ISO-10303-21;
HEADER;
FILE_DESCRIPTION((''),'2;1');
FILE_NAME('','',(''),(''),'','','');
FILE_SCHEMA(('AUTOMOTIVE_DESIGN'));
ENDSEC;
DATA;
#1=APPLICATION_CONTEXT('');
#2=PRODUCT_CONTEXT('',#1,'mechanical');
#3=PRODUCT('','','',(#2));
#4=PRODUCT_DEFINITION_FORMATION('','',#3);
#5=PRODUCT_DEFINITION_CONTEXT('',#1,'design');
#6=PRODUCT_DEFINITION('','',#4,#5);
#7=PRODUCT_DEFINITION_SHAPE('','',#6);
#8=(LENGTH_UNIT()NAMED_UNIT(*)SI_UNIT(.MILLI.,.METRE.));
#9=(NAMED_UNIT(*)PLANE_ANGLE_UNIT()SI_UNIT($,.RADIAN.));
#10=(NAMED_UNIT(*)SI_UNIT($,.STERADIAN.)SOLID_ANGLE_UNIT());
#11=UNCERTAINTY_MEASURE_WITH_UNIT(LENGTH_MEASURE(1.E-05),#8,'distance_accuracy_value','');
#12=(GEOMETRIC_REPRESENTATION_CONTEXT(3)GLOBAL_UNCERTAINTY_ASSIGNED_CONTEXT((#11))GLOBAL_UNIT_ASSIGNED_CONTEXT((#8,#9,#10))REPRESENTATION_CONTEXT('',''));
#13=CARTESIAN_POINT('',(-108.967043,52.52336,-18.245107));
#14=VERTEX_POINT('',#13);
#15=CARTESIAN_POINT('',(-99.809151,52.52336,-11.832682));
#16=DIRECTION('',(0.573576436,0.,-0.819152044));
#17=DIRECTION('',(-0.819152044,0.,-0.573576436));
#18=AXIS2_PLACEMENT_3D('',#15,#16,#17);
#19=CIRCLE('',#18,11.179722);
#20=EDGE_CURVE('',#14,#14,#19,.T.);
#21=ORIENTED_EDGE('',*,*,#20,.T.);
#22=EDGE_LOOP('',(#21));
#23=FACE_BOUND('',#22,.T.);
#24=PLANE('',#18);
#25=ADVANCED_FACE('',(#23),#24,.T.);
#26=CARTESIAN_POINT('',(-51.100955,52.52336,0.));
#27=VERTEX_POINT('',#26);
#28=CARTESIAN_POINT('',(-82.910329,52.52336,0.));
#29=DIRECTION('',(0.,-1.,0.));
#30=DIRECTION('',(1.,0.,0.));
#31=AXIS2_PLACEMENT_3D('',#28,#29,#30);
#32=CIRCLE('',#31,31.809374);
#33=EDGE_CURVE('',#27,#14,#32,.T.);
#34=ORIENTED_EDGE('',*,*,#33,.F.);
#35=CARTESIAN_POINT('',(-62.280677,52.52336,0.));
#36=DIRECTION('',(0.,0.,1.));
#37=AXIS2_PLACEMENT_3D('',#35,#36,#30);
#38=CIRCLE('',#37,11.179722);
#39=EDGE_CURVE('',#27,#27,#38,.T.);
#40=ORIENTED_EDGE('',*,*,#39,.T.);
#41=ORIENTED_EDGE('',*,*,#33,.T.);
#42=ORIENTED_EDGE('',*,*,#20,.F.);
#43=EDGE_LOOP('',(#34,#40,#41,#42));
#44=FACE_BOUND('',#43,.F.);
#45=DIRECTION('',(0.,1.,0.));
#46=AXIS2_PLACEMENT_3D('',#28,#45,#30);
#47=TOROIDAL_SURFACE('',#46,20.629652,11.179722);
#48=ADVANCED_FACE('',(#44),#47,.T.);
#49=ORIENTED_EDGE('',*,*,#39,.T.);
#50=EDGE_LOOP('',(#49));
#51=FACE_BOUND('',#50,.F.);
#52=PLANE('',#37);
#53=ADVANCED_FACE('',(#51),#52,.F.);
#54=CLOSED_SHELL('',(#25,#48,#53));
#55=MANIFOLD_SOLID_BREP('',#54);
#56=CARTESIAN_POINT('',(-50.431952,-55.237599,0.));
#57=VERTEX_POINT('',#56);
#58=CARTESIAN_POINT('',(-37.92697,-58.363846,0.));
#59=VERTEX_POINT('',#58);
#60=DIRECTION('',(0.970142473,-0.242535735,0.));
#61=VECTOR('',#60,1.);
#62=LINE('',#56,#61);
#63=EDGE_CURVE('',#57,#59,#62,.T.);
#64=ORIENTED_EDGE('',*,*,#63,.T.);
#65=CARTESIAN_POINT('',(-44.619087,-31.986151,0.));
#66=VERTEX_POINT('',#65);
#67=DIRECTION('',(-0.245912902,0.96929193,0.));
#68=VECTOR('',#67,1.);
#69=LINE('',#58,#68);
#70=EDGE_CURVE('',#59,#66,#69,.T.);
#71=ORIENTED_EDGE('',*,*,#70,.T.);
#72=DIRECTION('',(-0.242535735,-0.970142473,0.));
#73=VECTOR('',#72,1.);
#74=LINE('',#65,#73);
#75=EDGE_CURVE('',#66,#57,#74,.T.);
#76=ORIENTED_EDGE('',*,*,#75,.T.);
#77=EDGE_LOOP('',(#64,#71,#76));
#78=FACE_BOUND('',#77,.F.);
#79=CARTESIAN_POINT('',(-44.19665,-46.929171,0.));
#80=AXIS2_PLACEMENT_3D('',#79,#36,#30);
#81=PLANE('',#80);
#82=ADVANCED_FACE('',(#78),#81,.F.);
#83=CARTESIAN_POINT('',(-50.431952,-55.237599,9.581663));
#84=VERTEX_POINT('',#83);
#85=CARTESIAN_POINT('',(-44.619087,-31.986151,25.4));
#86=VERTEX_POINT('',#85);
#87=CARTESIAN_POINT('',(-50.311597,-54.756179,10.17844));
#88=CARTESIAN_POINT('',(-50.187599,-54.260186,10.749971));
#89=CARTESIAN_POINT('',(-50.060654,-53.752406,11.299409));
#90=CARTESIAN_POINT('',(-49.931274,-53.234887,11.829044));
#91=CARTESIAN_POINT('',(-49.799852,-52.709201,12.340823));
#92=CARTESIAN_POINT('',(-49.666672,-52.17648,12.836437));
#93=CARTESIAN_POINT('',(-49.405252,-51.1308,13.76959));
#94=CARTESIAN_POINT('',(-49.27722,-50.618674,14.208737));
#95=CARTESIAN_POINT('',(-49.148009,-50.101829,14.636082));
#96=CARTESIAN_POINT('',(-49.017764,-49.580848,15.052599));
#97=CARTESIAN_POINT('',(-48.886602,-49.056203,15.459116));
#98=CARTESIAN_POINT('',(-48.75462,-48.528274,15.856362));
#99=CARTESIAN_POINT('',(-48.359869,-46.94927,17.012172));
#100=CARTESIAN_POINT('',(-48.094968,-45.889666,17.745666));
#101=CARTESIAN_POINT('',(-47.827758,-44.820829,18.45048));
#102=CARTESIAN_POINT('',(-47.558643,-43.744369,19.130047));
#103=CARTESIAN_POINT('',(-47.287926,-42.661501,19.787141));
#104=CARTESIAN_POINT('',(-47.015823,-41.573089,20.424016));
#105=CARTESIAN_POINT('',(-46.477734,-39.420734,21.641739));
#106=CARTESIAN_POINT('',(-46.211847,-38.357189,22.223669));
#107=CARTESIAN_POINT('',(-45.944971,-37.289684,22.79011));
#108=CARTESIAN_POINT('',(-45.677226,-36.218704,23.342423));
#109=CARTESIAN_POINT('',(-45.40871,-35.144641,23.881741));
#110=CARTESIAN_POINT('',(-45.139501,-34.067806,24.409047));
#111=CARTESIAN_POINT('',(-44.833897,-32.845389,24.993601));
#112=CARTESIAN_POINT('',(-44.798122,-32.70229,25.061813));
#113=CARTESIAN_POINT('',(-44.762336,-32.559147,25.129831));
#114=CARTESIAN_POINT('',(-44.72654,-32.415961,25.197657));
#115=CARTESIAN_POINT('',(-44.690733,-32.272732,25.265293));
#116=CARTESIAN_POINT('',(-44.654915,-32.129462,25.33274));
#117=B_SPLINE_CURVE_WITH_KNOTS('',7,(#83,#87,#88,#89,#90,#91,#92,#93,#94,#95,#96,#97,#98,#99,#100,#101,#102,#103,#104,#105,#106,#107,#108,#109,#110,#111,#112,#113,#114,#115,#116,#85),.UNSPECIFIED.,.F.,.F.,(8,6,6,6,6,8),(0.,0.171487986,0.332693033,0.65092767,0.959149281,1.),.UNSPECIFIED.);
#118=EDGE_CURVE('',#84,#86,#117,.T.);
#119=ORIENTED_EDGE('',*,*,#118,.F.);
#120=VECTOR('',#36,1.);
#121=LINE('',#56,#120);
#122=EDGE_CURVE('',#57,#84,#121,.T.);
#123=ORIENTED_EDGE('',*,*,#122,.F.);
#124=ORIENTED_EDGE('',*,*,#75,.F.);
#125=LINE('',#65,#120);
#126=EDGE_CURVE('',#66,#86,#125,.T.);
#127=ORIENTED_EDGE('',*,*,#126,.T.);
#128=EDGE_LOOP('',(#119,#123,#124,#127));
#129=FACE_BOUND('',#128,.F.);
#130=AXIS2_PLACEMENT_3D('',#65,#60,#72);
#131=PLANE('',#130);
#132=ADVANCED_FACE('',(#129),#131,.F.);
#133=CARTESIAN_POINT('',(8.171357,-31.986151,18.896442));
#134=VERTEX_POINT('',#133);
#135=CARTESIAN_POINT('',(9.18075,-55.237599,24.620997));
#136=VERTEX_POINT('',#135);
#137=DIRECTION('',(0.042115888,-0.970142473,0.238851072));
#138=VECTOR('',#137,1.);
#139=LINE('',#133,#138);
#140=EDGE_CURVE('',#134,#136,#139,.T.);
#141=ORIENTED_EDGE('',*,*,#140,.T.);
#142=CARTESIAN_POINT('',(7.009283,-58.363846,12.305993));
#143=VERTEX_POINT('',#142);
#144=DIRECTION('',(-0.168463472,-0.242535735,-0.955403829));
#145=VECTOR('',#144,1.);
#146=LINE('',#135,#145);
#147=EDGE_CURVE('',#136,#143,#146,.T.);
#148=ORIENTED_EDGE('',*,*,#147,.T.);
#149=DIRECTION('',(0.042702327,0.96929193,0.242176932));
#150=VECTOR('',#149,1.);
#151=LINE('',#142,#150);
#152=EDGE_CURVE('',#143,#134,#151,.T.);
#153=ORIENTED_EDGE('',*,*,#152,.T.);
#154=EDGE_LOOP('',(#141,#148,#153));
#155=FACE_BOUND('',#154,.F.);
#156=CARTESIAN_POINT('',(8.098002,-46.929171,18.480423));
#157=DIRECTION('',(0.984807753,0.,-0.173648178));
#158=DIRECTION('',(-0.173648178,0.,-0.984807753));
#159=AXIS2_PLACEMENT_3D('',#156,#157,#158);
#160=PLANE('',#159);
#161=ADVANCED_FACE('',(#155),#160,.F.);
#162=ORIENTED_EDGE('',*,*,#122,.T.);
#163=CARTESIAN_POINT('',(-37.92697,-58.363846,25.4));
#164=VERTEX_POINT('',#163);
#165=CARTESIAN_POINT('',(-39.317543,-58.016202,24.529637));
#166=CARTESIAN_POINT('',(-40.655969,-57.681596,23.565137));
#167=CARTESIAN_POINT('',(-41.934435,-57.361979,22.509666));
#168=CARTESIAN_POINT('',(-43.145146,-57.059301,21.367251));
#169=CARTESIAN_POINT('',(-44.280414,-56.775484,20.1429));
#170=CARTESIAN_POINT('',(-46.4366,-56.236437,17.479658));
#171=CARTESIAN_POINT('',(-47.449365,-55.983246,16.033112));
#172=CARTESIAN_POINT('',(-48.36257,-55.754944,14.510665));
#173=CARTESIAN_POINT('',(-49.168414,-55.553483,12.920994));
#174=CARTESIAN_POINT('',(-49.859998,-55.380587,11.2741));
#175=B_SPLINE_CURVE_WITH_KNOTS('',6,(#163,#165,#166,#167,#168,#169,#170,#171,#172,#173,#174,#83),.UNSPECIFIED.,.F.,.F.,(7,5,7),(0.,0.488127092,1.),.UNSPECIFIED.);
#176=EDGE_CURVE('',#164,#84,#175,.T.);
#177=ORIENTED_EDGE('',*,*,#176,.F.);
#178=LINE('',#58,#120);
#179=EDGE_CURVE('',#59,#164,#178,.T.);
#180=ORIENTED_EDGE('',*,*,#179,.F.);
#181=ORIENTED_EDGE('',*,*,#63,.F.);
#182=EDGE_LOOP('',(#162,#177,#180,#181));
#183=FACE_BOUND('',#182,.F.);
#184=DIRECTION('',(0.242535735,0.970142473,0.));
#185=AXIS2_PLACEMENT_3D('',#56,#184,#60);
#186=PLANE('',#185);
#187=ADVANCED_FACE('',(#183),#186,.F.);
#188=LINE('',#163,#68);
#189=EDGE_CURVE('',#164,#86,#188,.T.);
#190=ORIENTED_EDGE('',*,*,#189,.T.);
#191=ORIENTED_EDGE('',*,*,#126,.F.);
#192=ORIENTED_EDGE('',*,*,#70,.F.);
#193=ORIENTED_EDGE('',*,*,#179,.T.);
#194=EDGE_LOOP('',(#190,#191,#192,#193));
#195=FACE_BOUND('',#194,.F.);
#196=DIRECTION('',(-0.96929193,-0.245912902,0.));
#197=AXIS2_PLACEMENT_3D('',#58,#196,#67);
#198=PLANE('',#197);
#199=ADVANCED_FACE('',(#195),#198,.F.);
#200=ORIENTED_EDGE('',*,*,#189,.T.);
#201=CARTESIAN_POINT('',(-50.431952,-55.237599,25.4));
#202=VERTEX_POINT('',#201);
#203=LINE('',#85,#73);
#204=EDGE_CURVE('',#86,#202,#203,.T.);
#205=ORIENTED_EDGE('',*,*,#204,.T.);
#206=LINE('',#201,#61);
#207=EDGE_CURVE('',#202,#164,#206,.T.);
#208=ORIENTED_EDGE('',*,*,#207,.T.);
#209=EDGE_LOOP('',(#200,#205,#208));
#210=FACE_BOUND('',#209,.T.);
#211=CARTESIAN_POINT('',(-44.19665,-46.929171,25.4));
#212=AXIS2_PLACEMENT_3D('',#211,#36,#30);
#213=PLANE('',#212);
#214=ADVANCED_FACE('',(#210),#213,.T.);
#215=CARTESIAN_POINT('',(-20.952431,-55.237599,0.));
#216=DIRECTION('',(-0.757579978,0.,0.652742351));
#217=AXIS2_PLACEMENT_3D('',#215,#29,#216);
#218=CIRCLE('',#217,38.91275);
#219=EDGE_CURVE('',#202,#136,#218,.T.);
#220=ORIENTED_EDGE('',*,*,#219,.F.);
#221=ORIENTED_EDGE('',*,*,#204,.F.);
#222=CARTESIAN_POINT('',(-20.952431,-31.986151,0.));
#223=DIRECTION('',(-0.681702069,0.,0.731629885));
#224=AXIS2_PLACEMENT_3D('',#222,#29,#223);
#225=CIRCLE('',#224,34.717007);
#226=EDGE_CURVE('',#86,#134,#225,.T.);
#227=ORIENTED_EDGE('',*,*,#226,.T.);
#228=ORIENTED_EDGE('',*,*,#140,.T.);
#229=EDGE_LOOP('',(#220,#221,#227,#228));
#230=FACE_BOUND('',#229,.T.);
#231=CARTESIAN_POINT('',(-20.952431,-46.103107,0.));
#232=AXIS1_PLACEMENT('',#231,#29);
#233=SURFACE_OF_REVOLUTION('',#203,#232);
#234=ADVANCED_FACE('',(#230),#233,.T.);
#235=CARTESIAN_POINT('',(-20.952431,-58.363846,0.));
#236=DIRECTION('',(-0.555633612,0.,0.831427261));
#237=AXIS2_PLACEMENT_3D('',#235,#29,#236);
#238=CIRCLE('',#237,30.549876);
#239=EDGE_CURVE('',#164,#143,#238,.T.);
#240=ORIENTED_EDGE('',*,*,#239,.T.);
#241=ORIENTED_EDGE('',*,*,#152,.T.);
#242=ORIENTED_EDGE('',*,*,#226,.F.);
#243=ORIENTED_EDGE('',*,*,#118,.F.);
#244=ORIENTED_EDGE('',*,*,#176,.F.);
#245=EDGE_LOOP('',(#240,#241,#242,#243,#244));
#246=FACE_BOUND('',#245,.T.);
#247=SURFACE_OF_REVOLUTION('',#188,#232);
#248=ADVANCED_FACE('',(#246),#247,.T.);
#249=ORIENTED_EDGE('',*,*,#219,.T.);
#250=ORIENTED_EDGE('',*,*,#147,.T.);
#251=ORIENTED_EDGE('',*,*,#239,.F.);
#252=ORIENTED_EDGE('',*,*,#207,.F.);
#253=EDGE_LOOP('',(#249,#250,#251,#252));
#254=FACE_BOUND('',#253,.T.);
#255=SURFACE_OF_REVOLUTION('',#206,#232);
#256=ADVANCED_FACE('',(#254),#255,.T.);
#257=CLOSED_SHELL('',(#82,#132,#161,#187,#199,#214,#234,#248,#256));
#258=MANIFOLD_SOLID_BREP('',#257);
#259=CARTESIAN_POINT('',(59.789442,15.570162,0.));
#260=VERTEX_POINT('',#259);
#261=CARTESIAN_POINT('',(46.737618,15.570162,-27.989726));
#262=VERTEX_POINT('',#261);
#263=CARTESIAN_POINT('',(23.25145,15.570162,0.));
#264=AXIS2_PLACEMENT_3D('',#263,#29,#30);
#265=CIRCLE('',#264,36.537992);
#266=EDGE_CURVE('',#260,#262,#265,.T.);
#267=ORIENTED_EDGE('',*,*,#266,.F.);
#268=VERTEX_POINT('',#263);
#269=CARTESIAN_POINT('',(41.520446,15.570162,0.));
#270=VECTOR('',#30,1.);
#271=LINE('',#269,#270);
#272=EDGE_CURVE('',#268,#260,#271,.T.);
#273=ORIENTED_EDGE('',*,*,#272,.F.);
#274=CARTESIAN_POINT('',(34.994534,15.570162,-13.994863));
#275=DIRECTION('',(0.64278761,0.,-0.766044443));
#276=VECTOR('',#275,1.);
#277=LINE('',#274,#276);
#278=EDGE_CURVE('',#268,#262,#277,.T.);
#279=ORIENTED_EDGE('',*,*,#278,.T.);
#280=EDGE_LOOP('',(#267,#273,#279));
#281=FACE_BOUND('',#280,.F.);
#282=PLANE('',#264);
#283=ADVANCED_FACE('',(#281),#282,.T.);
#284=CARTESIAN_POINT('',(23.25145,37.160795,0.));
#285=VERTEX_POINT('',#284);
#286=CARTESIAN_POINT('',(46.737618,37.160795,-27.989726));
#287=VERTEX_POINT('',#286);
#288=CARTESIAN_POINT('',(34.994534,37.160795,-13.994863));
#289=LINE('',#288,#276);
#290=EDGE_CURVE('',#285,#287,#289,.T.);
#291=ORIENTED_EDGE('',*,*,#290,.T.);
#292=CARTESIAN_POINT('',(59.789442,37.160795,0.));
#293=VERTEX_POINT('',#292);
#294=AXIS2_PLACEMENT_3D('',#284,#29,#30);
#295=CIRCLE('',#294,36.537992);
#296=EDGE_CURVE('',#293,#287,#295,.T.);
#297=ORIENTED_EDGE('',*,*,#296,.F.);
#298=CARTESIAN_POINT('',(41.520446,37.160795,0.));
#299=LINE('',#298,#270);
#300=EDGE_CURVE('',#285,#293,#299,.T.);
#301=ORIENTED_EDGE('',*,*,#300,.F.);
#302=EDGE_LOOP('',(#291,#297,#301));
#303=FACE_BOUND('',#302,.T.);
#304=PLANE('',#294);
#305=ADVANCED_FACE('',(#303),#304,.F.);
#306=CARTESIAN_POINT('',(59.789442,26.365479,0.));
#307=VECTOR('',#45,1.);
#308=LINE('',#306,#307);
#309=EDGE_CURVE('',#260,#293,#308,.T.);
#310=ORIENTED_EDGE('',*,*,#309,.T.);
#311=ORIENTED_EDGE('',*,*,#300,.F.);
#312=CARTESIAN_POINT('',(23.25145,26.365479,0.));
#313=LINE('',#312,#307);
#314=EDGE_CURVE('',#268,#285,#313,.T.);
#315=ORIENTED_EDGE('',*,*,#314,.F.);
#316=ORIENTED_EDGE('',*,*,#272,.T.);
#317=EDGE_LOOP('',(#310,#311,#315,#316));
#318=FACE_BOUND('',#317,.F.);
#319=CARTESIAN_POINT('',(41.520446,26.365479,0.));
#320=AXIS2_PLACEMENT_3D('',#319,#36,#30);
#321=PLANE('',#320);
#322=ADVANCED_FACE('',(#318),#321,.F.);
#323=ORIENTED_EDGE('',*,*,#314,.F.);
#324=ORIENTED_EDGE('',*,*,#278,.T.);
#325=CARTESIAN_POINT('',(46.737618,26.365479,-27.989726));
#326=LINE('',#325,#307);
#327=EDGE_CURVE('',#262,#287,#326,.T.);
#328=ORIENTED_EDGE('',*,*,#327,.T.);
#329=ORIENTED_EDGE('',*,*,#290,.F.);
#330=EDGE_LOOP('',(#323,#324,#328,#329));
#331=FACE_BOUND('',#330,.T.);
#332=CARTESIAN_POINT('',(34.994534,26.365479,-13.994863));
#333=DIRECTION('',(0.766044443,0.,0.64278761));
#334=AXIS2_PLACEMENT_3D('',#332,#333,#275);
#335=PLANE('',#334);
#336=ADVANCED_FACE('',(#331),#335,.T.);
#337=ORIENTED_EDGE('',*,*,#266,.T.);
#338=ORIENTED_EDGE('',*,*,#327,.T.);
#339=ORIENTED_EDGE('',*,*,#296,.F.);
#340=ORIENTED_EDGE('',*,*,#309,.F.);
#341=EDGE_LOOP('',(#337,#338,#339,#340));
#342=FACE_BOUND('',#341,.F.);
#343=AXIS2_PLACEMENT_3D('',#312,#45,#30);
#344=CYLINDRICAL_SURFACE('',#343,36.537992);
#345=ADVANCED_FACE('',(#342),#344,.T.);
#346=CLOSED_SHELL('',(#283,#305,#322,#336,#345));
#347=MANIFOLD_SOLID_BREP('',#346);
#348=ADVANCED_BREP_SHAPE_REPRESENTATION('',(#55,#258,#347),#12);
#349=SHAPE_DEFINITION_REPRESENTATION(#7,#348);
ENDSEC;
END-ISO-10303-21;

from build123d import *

# Parameters (mm, degrees)
F0_W     = 36.5379918367
F0_H     = 21.5906333178
F1_ANGLE = 310
F0_R     = 11.1797222355
F2_ANGLE = 215
F3_DEPTH = 25.4
F4_ANGLE = 260


with BuildPart() as f1:
    # F0 (on Top) → F1 (revolve)
    with BuildSketch(Plane.XY):
        with Locations((41.5204456076, 26.3654785231)):
            Rectangle(F0_W, F0_H)
    revolve(axis=Axis((23.2514496893, 26.3654785231, 0), (0, -1, 0)), revolution_arc=F1_ANGLE)


with BuildPart() as f2:
    # F0 (on Top) → F2 (revolve)
    with BuildSketch(Plane.XY):
        with Locations((-62.280677259, 52.5233596563)):
            Circle(F0_R)
    revolve(axis=Axis((-82.9103291035, 50.9820729494, 0), (0, -1, 0)), revolution_arc=F2_ANGLE)


with BuildPart() as f3:
    # F0 (on Top) → F3 (new body)
    with BuildSketch(Plane.XY):
        Polygon((-37.9269696142, -58.3638457864), (-44.6190871298, -31.9861508906), (-50.4319518805, -55.2375987172), align=None)
    extrude(amount=F3_DEPTH)

    # F3_face (on face) → F4 (revolve)
    with BuildSketch(Plane(origin=(-44.3260028748, -48.5291984647, 25.4), x_dir=(1, 0, 0), z_dir=(0, 0, 1))):
        Polygon((6.3990332606, -9.8346473217), (-0.293084255, 16.5430475741), (-6.1059490056, -6.7084002525), align=None)
    revolve(axis=Axis((-20.9524314851, -46.1031068116, 0), (0, -1, 0)), revolution_arc=F4_ANGLE)


solid = Compound([f1.part, f2.part, f3.part])
